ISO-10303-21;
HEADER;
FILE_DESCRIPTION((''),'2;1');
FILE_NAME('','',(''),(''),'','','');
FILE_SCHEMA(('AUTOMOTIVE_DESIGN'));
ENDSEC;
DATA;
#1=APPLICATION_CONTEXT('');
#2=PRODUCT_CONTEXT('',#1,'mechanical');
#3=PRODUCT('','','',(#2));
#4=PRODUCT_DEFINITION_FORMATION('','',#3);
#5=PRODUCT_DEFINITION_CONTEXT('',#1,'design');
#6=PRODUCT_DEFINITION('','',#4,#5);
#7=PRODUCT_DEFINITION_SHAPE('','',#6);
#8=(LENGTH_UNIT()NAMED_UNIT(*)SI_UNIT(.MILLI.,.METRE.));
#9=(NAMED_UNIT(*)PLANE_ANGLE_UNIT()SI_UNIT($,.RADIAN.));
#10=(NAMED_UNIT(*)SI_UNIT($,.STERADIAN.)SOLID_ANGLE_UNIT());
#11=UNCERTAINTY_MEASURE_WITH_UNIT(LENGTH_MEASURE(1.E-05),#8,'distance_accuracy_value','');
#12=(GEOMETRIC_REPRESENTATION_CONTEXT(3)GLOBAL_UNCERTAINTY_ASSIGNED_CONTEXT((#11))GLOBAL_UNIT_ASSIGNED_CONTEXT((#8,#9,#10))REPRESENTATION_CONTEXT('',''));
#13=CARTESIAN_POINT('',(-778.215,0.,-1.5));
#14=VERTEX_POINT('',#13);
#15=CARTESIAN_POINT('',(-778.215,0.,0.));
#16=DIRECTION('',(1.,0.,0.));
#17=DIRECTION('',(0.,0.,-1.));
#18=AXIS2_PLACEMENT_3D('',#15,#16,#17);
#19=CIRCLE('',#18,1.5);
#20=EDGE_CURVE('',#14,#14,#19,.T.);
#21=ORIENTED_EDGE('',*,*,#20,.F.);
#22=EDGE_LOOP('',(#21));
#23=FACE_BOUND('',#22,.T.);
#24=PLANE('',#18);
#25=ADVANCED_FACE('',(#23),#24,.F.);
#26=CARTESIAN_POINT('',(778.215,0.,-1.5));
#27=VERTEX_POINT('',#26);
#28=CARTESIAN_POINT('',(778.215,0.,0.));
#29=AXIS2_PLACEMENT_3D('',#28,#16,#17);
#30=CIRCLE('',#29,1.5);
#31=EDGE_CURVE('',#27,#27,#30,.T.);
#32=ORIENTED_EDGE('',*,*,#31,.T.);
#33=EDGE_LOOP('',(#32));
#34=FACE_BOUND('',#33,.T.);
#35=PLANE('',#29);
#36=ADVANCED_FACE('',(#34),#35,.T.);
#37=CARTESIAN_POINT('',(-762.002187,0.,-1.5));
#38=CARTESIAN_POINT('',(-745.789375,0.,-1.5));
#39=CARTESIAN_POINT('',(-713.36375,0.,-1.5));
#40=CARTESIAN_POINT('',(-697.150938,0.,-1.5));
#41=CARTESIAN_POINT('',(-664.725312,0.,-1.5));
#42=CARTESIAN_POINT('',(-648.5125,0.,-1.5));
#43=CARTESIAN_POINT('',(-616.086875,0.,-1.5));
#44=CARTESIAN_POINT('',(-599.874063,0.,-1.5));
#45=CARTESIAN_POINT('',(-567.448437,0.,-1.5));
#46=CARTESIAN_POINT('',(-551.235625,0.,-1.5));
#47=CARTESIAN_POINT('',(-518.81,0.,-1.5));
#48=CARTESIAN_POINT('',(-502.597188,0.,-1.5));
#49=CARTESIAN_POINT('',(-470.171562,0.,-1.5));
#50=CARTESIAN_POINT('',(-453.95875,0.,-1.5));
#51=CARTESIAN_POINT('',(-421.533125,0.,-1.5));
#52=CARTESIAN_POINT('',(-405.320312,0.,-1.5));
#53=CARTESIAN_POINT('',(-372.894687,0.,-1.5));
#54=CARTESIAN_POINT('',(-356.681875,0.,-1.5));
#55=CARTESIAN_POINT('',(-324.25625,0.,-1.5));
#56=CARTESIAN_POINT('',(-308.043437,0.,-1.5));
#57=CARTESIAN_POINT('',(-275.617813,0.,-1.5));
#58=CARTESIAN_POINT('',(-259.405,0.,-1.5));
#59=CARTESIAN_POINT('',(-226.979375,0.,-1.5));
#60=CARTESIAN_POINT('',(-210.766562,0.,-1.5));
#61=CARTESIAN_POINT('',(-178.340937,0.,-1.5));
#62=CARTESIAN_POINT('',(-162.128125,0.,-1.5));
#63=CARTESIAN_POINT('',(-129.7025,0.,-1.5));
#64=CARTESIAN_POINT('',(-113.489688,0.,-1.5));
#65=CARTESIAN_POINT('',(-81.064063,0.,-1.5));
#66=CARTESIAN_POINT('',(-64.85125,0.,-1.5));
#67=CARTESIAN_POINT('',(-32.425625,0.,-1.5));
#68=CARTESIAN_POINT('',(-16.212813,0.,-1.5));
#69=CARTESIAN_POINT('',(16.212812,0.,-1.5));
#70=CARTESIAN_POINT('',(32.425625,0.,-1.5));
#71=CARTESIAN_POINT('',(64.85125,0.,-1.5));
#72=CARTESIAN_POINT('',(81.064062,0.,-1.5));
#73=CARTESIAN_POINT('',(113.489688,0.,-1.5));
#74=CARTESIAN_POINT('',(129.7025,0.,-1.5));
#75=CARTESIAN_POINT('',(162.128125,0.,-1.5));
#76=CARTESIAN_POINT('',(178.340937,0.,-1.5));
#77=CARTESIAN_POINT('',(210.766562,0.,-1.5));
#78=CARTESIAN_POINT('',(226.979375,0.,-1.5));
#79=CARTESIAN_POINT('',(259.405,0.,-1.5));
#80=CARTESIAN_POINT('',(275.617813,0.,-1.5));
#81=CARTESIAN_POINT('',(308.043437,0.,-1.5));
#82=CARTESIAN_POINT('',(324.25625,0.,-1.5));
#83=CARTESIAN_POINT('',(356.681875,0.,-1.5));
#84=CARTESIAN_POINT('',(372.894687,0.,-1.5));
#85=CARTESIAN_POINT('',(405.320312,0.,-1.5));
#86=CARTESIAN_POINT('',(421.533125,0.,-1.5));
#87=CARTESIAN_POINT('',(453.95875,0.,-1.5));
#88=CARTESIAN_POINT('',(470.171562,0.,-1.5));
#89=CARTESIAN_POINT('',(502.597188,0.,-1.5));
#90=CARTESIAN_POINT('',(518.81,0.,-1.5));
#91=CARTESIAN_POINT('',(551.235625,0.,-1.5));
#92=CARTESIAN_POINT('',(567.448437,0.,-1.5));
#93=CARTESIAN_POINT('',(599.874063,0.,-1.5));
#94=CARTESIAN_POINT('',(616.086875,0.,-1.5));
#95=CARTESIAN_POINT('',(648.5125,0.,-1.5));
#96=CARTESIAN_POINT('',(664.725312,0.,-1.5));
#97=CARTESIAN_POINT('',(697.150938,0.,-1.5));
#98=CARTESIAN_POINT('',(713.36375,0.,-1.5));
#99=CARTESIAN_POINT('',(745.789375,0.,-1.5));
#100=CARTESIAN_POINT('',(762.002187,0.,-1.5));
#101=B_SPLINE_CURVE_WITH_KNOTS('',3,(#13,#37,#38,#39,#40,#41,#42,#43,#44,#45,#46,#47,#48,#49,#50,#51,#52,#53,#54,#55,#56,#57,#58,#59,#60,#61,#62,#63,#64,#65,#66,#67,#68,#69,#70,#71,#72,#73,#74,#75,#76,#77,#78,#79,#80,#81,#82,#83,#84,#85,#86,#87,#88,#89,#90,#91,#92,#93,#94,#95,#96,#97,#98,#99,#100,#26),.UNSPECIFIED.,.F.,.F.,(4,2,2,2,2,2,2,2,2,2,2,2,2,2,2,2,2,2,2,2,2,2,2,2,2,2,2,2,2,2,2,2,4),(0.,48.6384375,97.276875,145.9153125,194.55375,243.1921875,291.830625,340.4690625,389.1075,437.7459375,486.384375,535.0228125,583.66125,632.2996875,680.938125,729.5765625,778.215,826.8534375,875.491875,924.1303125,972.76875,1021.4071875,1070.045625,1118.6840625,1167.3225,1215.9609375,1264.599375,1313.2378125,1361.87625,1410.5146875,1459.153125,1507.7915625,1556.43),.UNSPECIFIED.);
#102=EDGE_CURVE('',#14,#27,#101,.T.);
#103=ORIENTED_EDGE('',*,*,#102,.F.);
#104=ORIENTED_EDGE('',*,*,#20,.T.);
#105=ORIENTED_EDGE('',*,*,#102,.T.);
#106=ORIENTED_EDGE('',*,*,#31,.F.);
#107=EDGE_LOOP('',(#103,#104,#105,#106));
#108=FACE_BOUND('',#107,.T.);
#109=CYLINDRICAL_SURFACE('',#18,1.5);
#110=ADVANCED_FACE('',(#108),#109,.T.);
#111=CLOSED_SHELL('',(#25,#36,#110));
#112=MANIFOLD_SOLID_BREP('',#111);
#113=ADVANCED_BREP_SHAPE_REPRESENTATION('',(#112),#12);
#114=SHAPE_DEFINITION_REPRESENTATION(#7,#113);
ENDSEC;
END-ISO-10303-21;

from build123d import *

# Parameters (mm, degrees)
EXTRUDE_1_DEPTH      = 778.215
EXTRUDE_1_DEPTH_BACK = 778.215
SKETCH_1_R           = 1.5


with BuildPart() as part:
    # Эскиз1 → Бобышка-Вытянуть1 (new, two sides: drawn at the far end of the back side and taken through both)
    with BuildSketch(Plane(origin=(0, 0, 0), x_dir=(0, 0, -1), z_dir=(1, 0, 0)).offset(-EXTRUDE_1_DEPTH_BACK)):
        Circle(SKETCH_1_R)
    extrude(amount=EXTRUDE_1_DEPTH + EXTRUDE_1_DEPTH_BACK)


solid = part.part
